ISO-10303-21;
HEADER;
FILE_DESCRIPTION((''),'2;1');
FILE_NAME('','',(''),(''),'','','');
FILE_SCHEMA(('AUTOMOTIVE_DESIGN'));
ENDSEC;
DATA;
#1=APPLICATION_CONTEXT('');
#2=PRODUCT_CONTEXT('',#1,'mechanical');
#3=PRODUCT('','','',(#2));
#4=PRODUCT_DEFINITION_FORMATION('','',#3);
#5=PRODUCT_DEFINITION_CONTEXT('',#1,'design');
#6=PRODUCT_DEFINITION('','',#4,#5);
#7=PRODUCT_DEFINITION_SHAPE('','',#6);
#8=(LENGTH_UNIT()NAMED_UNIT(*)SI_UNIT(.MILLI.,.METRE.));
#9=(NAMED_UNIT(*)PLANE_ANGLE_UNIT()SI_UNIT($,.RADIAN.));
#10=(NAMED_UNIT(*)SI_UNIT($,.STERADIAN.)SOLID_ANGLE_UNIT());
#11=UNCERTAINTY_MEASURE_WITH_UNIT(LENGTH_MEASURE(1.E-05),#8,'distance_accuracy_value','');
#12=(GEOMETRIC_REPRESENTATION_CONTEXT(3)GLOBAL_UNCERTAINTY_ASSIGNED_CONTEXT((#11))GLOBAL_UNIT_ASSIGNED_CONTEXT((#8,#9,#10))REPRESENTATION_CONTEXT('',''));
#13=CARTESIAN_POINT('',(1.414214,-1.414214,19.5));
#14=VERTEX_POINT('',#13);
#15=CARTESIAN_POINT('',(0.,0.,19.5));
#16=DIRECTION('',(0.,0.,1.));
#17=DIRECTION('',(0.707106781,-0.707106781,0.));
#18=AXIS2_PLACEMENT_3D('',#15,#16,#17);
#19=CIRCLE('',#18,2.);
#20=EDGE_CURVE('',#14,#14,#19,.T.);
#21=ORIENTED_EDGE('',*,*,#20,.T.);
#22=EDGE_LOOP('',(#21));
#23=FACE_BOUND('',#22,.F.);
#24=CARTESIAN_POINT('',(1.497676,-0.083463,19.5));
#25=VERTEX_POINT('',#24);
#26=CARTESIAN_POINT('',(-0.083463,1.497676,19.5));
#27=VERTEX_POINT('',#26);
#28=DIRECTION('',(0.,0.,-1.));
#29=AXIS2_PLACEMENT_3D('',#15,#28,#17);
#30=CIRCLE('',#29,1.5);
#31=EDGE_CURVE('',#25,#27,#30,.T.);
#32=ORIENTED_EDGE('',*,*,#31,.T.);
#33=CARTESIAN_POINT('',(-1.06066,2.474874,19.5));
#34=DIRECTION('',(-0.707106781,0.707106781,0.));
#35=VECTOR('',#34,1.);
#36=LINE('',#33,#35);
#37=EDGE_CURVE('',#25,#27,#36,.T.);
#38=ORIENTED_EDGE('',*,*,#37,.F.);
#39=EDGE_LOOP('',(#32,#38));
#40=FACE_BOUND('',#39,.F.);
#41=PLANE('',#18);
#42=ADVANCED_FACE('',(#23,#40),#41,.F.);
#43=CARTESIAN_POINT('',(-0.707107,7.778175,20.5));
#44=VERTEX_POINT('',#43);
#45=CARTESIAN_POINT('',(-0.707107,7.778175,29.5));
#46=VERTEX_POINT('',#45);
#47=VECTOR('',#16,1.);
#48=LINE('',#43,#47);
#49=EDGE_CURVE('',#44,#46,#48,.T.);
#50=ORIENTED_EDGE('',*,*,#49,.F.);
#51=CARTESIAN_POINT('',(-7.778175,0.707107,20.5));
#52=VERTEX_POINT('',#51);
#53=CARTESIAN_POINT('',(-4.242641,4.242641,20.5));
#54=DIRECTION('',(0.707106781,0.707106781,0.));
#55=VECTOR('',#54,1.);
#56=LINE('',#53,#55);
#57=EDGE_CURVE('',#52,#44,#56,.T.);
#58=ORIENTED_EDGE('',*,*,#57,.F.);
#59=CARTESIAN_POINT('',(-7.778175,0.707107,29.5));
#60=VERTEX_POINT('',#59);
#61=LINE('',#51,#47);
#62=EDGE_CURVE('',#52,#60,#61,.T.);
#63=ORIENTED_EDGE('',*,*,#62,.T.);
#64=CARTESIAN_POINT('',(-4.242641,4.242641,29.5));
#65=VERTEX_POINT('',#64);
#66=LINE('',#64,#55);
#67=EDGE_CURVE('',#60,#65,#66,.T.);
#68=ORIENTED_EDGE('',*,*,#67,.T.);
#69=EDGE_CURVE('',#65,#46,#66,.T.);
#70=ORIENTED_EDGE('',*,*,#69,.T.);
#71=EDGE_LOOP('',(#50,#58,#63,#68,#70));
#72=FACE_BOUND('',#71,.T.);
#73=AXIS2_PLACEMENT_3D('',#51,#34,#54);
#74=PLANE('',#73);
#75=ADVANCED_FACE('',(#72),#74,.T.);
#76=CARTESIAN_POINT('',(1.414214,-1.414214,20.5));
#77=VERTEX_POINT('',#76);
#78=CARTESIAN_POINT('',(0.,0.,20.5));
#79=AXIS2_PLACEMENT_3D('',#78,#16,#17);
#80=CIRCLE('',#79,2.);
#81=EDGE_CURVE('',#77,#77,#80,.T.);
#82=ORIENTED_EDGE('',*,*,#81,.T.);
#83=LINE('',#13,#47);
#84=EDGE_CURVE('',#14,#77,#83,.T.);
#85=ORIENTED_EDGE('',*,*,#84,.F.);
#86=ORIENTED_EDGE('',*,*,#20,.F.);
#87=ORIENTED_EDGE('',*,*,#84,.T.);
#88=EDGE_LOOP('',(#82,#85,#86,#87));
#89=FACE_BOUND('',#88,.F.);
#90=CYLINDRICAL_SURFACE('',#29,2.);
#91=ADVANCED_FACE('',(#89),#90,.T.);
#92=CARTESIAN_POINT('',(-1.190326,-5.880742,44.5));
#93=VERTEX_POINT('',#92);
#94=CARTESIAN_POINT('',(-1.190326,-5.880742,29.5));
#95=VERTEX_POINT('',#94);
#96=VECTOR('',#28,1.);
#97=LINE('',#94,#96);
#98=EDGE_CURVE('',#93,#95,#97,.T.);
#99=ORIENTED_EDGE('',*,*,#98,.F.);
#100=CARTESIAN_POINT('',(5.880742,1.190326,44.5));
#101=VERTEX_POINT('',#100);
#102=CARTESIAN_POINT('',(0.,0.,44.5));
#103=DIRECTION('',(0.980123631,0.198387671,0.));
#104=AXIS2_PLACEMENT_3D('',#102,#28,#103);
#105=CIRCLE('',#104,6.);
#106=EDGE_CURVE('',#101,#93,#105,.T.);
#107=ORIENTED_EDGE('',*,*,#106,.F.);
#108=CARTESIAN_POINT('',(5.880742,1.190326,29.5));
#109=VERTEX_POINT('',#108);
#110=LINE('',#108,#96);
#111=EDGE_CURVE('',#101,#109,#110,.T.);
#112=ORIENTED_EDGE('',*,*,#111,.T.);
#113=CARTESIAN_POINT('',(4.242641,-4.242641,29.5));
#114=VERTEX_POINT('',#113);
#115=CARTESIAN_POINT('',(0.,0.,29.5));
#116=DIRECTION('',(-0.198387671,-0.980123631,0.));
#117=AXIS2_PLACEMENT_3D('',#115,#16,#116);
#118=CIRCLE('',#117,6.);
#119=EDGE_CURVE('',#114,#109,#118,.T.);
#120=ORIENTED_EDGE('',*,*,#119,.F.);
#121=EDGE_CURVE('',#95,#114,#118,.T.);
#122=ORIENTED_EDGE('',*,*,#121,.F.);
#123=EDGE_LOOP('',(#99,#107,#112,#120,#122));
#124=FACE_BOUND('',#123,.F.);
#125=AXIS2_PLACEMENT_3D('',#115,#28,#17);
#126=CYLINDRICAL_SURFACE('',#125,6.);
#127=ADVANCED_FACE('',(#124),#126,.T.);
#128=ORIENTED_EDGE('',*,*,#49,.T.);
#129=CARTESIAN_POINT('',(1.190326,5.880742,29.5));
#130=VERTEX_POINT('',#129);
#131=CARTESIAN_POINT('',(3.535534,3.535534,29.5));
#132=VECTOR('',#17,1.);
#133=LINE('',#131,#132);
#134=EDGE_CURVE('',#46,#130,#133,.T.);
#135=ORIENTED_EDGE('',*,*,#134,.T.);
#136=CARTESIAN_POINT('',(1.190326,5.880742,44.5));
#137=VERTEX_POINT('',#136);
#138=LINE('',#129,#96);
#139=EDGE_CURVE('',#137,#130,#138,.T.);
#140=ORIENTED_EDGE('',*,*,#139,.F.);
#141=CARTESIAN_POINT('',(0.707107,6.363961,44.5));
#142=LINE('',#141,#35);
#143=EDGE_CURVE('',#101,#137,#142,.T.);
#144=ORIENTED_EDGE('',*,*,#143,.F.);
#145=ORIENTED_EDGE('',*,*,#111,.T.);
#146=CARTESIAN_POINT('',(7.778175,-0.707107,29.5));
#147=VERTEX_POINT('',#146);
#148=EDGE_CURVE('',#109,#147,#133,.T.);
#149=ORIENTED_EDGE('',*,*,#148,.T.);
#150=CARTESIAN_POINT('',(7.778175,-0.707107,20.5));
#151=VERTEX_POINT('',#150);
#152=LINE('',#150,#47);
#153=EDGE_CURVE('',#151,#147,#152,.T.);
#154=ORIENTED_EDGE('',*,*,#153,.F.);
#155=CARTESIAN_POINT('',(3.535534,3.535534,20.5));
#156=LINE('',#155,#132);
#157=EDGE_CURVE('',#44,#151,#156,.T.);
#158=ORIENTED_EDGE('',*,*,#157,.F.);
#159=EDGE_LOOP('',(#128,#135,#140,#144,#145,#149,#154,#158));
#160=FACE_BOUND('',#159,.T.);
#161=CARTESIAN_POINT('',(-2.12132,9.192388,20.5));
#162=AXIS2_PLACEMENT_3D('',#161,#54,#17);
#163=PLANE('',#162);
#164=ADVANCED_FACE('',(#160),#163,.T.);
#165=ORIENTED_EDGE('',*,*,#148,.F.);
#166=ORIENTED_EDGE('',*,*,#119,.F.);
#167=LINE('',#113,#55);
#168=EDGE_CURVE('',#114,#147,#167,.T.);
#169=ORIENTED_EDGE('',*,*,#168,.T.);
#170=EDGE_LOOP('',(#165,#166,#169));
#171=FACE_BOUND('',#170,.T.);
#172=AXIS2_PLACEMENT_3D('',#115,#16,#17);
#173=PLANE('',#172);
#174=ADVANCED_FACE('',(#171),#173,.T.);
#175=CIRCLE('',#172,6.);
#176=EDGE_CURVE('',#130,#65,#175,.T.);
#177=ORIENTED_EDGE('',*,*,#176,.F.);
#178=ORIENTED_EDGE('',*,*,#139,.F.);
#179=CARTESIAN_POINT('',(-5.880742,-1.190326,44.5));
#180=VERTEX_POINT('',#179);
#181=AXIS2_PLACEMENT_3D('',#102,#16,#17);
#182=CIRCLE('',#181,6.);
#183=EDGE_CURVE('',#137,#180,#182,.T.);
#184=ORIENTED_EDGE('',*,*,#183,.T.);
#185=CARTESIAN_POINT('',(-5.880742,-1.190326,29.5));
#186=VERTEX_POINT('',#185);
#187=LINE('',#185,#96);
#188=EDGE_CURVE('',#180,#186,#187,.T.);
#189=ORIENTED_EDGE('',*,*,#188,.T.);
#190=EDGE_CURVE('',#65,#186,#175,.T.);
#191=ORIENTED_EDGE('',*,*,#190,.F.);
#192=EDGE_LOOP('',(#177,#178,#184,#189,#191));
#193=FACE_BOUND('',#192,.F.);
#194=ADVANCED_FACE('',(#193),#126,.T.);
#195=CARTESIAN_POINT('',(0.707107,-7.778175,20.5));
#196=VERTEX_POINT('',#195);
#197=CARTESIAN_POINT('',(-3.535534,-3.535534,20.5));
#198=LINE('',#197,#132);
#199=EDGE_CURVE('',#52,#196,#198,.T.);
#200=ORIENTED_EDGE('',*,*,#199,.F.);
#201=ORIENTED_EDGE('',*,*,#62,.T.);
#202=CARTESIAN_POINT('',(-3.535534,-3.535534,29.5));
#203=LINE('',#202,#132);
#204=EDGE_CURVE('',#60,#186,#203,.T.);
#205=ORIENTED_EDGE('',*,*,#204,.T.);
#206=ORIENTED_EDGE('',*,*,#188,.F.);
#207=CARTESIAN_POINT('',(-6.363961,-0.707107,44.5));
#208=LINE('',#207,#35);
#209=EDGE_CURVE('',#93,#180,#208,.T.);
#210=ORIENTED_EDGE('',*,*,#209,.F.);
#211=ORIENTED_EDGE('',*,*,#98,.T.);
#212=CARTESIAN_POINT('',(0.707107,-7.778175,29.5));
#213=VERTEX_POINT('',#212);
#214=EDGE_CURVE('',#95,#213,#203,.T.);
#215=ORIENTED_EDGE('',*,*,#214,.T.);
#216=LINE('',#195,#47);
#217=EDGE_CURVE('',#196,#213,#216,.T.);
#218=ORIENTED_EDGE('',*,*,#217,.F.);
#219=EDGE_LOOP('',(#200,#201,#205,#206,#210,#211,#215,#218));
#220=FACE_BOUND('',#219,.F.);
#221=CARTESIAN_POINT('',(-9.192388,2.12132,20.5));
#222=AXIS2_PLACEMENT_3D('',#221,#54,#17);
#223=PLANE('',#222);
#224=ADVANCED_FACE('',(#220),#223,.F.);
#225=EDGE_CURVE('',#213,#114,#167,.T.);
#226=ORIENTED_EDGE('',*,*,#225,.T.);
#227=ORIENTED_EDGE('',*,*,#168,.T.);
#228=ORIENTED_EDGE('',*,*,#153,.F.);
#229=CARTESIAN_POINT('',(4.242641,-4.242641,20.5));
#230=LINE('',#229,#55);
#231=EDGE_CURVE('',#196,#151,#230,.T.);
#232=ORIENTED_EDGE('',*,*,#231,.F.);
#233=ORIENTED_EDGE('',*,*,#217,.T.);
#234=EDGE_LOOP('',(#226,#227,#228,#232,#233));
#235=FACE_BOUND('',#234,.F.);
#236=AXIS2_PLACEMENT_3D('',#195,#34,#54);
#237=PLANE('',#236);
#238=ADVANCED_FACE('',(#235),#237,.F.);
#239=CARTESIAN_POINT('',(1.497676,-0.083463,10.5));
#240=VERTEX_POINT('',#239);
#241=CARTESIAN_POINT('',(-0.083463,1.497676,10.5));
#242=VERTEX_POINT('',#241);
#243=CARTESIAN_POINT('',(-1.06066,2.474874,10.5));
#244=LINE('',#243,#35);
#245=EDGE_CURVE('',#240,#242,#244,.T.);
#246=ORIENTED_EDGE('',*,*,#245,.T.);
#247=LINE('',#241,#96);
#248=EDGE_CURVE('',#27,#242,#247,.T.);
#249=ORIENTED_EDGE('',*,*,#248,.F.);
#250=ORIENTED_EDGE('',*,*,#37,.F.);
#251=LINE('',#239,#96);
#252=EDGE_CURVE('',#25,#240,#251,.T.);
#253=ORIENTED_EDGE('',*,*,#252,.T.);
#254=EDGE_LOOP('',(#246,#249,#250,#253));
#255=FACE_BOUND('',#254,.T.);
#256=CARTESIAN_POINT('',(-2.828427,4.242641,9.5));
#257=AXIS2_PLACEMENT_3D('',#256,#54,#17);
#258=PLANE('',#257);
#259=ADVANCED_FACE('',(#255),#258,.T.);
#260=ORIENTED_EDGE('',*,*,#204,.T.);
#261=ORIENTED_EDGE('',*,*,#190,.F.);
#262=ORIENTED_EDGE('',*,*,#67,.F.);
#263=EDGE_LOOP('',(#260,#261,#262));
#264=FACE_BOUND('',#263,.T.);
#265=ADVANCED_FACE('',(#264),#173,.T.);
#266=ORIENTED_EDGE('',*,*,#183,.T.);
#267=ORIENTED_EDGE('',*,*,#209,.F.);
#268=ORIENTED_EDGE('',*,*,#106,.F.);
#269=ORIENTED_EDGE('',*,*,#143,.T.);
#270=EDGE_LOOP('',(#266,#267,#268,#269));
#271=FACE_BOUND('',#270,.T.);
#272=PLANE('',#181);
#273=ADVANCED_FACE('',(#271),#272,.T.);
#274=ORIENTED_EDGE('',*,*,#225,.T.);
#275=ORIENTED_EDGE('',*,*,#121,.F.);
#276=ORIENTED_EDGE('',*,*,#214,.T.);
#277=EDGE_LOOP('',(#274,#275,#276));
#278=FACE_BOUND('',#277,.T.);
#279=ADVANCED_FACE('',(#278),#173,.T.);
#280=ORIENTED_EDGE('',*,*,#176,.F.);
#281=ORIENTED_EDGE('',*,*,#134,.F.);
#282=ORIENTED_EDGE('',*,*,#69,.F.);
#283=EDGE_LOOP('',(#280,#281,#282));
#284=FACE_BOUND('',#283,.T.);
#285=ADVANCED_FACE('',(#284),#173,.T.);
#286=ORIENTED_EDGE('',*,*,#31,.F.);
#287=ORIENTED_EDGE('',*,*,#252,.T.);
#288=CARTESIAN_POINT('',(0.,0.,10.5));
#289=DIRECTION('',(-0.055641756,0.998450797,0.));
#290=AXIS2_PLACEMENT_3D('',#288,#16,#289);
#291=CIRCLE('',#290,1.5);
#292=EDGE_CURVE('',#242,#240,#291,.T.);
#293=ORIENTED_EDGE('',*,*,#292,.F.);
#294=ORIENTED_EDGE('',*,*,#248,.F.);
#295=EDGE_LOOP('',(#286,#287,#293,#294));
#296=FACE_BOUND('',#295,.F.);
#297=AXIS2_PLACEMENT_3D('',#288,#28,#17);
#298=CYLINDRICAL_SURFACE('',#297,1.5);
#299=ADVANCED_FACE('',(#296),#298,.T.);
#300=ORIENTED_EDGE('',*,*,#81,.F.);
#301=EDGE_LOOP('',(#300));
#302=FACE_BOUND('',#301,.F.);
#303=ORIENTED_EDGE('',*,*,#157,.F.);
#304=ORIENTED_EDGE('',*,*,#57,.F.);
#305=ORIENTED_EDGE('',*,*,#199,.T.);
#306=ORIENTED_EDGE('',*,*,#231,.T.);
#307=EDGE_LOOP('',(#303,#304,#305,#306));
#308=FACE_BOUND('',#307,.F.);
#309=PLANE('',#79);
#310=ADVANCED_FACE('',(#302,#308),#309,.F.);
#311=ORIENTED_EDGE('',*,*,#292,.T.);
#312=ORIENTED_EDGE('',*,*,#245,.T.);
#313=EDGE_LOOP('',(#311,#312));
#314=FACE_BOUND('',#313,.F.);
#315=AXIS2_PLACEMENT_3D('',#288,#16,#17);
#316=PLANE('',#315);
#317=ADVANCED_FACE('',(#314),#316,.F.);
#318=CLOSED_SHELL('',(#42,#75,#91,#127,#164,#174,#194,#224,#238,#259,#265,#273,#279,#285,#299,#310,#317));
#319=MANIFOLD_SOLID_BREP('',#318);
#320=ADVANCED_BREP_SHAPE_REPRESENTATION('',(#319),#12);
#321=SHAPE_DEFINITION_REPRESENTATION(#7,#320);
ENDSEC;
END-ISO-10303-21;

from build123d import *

# Parameters (mm, degrees)
CYLINDER076_R                            = 2
CYLINDER076_DEPTH                        = 1
BOX406008005_W                           = 16
BOX406008005_H                           = 10
BOX406008005_DEPTH                       = 27
CYLINDER077_R                            = 6
CYLINDER077_DEPTH                        = 15
BOX406008006_W                           = 10
BOX406008006_H                           = 10
BOX406008006_DEPTH                       = 12
CYLINDER078_R                            = 1.5
CYLINDER078_DEPTH                        = 10
BOX406008004_W                           = 12
BOX406008004_H                           = 10
BOX406008004_DEPTH                       = 9
FUSION103077013004017004_PLACEMENT_ANGLE = 45


with BuildPart() as boss002:
    # Cylinder076 → Cylinder076 (new body)
    with BuildSketch(Plane.XY.offset(-1)):
        Circle(CYLINDER076_R)
    extrude(amount=CYLINDER076_DEPTH)


with BuildPart() as gearbox005:
    # Box406008005 → Box406008005 (new body)
    with BuildSketch(Plane(origin=(-8, -5, 0), x_dir=(1, 0, 0), z_dir=(0, 0, 1))):
        with Locations((8, 5)):
            Rectangle(BOX406008005_W, BOX406008005_H)
    extrude(amount=BOX406008005_DEPTH)


with BuildPart() as motor002:
    # Cylinder077 → Cylinder077 (new body)
    with BuildSketch(Plane.XY.offset(9)):
        Circle(CYLINDER077_R)
    extrude(amount=CYLINDER077_DEPTH)

    # Common001: intersect gearbox005
    add(gearbox005.part, mode=Mode.INTERSECT)


with BuildPart() as cube341:
    # Box406008006 → Box406008006 (new body)
    with BuildSketch(Plane(origin=(-5, 1, -11), x_dir=(1, 0, 0), z_dir=(0, 0, 1))):
        with Locations((5, 5)):
            Rectangle(BOX406008006_W, BOX406008006_H)
    extrude(amount=BOX406008006_DEPTH)


with BuildPart() as shaft002:
    # Cylinder078 → Cylinder078 (new body)
    with BuildSketch(Plane.XY.offset(-10)):
        Circle(CYLINDER078_R)
    extrude(amount=CYLINDER078_DEPTH)

    # Cut001: cut Cube341
    add(cube341.part, mode=Mode.SUBTRACT)


with BuildPart() as motor_assembled:
    # Box406008004 → Box406008004 (new body)
    with BuildSketch(Plane(origin=(-6, -5, 0), x_dir=(1, 0, 0), z_dir=(0, 0, 1))):
        with Locations((6, 5)):
            Rectangle(BOX406008004_W, BOX406008004_H)
    extrude(amount=BOX406008004_DEPTH)

    # Fusion103077013004017004: union boss002, motor002, shaft002
    add(boss002.part)
    add(motor002.part)
    add(shaft002.part)


with BuildPart() as motor_assembled_1:
    # Fusion103077013004017004 placement: moved
    add(motor_assembled.part.moved(Location((0, 0, 20.5))).rotate(Axis((0, 0, 20.5), (0, 0, -1)), FUSION103077013004017004_PLACEMENT_ANGLE))


solid = motor_assembled_1.part
